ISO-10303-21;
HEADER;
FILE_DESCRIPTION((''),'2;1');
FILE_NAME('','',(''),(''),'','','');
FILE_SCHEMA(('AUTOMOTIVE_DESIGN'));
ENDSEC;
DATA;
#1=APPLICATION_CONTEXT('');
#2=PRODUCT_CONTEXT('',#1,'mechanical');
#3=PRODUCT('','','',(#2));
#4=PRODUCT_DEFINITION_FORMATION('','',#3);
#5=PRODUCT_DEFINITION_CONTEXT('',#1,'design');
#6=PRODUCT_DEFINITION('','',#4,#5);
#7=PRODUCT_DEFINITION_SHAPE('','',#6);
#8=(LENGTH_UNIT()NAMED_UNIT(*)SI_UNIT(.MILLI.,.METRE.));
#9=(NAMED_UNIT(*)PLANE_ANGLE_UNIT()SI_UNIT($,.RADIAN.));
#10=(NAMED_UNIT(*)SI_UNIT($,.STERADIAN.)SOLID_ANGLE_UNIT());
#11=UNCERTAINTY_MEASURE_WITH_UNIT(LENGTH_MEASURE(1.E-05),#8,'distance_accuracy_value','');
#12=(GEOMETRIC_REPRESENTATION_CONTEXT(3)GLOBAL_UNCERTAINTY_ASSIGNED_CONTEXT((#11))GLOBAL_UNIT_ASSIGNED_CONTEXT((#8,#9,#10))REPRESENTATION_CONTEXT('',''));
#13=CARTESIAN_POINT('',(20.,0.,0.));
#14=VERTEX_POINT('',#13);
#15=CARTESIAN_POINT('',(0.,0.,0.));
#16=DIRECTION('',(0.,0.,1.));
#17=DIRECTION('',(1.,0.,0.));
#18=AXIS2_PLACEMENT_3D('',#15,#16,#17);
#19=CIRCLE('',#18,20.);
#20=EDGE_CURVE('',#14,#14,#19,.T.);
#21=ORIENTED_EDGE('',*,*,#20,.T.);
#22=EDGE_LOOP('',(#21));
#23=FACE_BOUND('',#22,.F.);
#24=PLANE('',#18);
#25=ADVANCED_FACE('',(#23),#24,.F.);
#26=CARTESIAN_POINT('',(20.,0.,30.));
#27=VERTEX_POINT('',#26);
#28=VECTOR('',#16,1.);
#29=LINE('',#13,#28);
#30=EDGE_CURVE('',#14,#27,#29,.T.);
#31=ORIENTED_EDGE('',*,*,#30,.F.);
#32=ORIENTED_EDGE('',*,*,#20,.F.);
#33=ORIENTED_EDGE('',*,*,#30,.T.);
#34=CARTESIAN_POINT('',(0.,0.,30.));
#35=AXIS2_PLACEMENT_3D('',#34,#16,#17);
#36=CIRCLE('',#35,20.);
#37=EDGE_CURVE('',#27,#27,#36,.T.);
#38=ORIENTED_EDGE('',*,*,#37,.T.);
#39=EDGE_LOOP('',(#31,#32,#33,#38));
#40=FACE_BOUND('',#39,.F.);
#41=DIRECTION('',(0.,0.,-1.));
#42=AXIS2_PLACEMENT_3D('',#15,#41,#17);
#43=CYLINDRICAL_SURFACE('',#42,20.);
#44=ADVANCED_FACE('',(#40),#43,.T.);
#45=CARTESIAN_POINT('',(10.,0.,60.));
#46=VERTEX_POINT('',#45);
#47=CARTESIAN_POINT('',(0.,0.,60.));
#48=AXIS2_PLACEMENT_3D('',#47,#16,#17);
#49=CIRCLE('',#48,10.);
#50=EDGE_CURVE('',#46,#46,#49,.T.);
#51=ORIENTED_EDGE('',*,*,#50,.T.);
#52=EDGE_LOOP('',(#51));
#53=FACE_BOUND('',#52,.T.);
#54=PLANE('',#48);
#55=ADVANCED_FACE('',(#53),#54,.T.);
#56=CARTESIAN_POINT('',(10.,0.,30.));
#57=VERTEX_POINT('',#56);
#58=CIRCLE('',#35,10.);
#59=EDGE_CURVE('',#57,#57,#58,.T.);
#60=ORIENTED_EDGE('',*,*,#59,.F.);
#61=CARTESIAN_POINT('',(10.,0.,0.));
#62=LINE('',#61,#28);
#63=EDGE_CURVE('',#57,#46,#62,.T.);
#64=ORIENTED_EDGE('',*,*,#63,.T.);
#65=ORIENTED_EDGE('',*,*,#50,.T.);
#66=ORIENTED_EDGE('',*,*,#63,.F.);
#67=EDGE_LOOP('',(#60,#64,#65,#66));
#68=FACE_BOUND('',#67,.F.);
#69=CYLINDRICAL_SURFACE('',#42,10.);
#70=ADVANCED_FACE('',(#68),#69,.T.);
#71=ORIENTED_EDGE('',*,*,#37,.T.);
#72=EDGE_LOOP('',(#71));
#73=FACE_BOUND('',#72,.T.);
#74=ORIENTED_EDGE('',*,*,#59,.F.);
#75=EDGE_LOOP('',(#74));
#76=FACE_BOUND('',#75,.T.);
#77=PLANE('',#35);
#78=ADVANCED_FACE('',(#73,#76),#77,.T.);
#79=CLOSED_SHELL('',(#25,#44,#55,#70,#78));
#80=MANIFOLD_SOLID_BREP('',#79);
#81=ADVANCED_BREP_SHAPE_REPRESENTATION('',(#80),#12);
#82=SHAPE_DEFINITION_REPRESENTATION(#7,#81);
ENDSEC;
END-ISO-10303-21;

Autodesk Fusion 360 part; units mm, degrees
sketch "Sketch3" plane through (0, 0, 0) normal (0, 0, 1) x (1, 0, 0)
  circle A0 centre (0, 0) radius 10
  circle A1 centre (0, 0) radius 20
  dimension "d10" = 20
  dimension "d11" = 40
extrude "Extrude3" add sketch "Sketch3" along normal blind 60 contours A0
extrude "Extrude4" add sketch "Sketch3" along normal blind 30
